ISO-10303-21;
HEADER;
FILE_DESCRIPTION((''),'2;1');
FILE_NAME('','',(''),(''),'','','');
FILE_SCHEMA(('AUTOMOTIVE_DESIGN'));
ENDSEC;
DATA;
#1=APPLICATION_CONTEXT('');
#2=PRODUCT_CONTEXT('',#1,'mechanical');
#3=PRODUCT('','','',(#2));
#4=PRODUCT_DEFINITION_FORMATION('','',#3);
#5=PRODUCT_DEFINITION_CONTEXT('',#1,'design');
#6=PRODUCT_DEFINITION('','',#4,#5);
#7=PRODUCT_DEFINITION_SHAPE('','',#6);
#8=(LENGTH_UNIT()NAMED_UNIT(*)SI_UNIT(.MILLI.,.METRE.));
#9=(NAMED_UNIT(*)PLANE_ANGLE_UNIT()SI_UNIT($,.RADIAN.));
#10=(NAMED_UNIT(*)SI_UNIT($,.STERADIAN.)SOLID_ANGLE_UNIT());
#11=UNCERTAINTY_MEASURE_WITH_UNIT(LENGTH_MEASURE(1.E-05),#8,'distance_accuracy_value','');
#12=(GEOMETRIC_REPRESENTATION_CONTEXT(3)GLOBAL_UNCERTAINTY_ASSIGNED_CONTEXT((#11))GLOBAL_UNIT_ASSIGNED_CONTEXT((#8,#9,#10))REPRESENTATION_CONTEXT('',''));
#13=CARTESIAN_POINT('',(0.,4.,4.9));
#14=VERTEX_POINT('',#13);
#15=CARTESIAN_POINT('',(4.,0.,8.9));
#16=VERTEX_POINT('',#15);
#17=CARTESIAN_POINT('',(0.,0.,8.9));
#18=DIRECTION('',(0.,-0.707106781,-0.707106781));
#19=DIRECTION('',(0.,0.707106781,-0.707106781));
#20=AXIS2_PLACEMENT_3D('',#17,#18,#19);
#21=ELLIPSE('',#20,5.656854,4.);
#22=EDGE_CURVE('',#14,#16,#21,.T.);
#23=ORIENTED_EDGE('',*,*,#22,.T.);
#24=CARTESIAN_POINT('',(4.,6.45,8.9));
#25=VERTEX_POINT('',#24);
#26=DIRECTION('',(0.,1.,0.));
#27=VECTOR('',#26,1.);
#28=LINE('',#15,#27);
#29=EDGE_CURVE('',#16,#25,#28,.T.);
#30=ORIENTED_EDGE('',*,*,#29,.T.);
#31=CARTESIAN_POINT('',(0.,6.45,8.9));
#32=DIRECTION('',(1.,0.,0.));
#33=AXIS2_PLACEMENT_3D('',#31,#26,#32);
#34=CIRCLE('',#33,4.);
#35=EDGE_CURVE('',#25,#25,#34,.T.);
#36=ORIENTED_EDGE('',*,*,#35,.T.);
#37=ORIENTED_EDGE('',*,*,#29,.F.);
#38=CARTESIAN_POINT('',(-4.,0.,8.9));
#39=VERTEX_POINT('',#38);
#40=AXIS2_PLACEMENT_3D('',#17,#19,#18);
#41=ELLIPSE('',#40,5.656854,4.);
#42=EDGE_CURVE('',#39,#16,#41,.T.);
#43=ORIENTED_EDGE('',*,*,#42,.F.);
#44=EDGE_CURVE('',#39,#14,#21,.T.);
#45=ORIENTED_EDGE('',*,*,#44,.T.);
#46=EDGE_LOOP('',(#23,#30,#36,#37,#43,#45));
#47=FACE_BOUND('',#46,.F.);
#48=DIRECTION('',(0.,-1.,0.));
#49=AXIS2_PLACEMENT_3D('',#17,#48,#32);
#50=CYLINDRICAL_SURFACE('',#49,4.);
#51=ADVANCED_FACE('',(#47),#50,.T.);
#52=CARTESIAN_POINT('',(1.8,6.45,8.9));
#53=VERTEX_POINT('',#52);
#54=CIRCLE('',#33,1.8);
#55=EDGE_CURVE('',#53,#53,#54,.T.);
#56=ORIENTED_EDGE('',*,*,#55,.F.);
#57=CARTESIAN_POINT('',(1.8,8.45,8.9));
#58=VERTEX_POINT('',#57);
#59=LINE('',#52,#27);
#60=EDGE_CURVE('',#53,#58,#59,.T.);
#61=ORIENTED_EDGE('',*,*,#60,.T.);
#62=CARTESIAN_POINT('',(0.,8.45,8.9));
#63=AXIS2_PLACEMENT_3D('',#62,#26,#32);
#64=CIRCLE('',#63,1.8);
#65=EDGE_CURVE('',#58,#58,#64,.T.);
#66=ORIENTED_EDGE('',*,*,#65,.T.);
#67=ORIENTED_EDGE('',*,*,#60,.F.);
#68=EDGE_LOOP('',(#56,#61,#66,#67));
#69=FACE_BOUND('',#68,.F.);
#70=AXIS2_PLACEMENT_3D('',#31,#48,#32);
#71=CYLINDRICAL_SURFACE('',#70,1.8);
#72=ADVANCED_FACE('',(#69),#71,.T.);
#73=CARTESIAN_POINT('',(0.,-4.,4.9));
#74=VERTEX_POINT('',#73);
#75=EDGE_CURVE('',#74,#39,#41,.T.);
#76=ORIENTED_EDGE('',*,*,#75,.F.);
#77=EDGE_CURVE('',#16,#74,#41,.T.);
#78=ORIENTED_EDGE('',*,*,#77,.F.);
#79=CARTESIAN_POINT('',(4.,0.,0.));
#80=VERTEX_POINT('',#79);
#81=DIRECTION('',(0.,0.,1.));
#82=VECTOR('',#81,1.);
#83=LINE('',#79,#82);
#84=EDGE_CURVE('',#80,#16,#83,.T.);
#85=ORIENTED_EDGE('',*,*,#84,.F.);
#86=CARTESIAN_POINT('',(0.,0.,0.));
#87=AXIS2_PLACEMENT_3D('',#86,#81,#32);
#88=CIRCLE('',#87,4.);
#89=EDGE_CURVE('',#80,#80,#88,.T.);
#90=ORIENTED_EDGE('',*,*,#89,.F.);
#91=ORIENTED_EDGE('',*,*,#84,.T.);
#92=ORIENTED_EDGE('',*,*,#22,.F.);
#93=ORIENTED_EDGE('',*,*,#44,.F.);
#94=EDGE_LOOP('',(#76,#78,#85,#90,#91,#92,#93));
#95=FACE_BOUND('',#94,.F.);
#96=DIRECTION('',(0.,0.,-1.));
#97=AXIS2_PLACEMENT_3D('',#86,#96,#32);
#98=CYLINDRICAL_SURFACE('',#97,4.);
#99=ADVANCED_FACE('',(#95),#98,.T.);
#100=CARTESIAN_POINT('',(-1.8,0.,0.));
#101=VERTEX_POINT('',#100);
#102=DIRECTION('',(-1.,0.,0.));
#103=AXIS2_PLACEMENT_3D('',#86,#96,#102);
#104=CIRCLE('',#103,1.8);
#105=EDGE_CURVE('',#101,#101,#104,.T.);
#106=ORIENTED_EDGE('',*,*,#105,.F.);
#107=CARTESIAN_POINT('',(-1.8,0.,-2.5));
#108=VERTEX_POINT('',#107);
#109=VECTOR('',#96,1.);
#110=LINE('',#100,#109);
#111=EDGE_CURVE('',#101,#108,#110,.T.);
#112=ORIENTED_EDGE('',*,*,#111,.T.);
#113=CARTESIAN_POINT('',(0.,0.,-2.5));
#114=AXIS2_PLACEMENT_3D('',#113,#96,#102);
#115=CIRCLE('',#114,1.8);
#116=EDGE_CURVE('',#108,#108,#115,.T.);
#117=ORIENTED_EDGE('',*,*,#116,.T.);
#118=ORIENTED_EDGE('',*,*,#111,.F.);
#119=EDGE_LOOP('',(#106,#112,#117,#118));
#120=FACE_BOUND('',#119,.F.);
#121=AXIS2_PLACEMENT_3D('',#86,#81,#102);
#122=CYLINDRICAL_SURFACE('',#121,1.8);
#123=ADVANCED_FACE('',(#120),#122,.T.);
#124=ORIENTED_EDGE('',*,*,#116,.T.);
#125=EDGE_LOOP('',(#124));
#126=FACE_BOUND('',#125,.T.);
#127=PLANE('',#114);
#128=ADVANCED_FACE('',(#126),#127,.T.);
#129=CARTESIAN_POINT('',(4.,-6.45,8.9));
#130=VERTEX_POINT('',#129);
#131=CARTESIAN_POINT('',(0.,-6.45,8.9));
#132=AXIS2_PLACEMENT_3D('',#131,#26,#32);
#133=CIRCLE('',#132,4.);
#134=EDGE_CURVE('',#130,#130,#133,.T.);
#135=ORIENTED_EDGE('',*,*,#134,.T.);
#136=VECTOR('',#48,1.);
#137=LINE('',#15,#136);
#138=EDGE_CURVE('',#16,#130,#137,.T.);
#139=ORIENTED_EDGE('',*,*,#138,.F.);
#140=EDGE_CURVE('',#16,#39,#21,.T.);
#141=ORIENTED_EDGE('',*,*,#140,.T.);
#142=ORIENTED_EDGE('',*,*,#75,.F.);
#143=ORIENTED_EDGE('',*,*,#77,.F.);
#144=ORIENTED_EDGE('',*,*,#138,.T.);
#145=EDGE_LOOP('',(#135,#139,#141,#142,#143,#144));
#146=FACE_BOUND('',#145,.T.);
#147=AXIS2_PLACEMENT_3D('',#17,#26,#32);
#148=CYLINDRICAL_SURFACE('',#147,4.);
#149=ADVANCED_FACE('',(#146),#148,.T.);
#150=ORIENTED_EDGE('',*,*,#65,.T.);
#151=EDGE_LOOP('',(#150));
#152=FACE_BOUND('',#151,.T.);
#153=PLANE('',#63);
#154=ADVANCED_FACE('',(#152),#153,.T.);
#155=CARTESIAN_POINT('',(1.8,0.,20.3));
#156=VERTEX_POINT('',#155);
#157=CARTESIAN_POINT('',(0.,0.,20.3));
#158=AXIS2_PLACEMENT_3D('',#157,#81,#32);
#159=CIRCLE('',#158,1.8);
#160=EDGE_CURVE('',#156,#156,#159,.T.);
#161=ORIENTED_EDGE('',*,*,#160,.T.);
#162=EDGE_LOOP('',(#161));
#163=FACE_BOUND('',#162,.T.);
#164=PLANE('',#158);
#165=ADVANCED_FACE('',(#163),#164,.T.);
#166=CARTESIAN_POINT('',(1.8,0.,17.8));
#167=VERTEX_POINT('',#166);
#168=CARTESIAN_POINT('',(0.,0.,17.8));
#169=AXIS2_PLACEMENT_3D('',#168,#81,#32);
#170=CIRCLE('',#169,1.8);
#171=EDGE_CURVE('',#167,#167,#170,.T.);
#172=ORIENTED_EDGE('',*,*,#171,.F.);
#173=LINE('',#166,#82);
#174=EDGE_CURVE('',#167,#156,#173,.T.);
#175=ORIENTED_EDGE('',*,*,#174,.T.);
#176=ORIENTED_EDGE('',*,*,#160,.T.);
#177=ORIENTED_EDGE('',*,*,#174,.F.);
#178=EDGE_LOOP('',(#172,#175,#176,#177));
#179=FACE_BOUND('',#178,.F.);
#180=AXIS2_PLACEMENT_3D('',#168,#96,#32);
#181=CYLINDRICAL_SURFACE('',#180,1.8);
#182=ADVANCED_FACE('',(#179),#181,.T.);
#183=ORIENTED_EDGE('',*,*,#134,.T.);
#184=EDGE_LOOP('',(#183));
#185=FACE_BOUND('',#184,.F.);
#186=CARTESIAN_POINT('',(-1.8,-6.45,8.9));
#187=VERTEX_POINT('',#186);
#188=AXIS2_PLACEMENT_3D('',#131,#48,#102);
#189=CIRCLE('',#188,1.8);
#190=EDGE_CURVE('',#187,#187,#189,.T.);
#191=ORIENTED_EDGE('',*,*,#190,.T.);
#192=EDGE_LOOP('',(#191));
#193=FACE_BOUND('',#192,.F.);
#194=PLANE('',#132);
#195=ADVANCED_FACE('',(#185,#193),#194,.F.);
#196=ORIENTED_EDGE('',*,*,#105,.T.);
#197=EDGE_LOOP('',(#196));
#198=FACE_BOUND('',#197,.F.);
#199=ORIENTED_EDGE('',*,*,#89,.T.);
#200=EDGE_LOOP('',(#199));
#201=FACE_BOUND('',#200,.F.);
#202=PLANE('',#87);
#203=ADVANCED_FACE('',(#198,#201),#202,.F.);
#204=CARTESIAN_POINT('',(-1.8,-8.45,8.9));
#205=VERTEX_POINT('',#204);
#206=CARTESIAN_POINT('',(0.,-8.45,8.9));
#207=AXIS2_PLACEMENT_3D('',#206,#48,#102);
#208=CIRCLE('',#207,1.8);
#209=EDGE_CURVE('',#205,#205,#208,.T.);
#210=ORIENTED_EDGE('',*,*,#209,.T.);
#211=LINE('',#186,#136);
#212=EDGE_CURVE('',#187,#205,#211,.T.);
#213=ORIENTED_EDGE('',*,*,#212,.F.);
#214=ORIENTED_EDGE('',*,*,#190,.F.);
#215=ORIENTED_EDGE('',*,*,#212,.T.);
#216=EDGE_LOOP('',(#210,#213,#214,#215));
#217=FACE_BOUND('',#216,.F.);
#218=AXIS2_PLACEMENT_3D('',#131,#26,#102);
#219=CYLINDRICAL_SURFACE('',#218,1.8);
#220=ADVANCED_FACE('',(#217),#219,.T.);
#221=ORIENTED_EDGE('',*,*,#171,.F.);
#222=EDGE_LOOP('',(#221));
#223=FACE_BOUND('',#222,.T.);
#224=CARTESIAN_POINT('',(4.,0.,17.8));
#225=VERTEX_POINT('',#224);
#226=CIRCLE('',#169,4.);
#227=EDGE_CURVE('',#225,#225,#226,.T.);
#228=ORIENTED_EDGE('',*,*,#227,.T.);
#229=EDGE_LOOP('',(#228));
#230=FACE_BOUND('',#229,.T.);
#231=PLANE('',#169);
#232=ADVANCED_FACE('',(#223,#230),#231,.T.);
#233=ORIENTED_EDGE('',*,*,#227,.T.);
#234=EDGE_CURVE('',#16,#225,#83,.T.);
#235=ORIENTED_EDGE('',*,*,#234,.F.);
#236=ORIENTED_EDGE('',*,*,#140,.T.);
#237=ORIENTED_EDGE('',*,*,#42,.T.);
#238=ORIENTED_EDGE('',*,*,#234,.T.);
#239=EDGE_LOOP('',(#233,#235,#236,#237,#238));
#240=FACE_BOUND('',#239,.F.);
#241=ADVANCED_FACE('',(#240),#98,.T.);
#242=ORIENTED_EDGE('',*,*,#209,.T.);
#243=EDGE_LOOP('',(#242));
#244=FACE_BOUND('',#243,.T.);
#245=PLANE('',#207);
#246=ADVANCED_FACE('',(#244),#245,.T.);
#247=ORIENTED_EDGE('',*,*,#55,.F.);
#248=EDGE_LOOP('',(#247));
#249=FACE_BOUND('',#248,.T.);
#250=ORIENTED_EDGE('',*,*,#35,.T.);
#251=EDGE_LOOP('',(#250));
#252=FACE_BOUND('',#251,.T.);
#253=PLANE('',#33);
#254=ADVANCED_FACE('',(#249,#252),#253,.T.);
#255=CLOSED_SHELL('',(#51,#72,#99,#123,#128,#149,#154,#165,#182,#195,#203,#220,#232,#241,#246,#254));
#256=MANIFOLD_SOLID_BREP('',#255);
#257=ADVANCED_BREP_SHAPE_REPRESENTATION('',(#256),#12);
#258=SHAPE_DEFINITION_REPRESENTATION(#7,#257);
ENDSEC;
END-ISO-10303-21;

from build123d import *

# Parameters (mm, degrees)
SKETCH_1_R           = 4
EXTRUDE_1_DEPTH      = 17.8
SKETCH_2_R           = 1.8
EXTRUDE_2_DEPTH      = 2.5
EXTRUDE_START        = 2.5
SKETCH_3_R           = 1.8
EXTRUDE_3_DEPTH      = 2.5
EXTRUDE_4_DEPTH      = 6.45
EXTRUDE_4_DEPTH_BACK = 6.45
SKETCH_4_R           = 4
SKETCH_5_R           = 1.8
EXTRUDE_5_DEPTH      = 2
EXTRUDE_START_2      = 2
SKETCH_6_R           = 1.8
EXTRUDE_6_DEPTH      = 2


with BuildPart() as part:
    # 草图1 → 凸台-拉伸1 (new body)
    with BuildSketch(Plane.XY):
        Circle(SKETCH_1_R)
    extrude(amount=EXTRUDE_1_DEPTH)

    # 草图2 → 凸台-拉伸2 (add)
    with BuildSketch(Plane.XY.offset(17.8)):
        Circle(SKETCH_2_R)
    extrude(amount=EXTRUDE_2_DEPTH)

    # 草图3 → 凸台-拉伸3 (add)
    with BuildSketch(Plane(origin=(0, 0, 0), x_dir=(-1, 0, 0), z_dir=(0, 0, -1)).offset(EXTRUDE_START)):
        Circle(SKETCH_3_R)
    extrude(amount=-EXTRUDE_3_DEPTH)

    # 草图4 → 凸台-拉伸4 (add, two sides: drawn at the far end of the back side and taken through both)
    with BuildSketch(Plane(origin=(0, 0, 0), x_dir=(1, 0, 0), z_dir=(0, 1, 0)).offset(-EXTRUDE_4_DEPTH_BACK)):
        with Locations((0, -8.9)):
            Circle(SKETCH_4_R)
    extrude(amount=EXTRUDE_4_DEPTH + EXTRUDE_4_DEPTH_BACK)

    # 草图5 → 凸台-拉伸5 (add)
    with BuildSketch(Plane(origin=(0, -6.45, 0), x_dir=(-1, 0, 0), z_dir=(0, -1, 0))):
        with Locations((0, -8.9)):
            Circle(SKETCH_5_R)
    extrude(amount=EXTRUDE_5_DEPTH)

    # 草图6 → 凸台-拉伸6 (add)
    with BuildSketch(Plane(origin=(0, 6.45, 0), x_dir=(1, 0, 0), z_dir=(0, 1, 0)).offset(EXTRUDE_START_2)):
        with Locations((0, -8.9)):
            Circle(SKETCH_6_R)
    extrude(amount=-EXTRUDE_6_DEPTH)


solid = part.part
